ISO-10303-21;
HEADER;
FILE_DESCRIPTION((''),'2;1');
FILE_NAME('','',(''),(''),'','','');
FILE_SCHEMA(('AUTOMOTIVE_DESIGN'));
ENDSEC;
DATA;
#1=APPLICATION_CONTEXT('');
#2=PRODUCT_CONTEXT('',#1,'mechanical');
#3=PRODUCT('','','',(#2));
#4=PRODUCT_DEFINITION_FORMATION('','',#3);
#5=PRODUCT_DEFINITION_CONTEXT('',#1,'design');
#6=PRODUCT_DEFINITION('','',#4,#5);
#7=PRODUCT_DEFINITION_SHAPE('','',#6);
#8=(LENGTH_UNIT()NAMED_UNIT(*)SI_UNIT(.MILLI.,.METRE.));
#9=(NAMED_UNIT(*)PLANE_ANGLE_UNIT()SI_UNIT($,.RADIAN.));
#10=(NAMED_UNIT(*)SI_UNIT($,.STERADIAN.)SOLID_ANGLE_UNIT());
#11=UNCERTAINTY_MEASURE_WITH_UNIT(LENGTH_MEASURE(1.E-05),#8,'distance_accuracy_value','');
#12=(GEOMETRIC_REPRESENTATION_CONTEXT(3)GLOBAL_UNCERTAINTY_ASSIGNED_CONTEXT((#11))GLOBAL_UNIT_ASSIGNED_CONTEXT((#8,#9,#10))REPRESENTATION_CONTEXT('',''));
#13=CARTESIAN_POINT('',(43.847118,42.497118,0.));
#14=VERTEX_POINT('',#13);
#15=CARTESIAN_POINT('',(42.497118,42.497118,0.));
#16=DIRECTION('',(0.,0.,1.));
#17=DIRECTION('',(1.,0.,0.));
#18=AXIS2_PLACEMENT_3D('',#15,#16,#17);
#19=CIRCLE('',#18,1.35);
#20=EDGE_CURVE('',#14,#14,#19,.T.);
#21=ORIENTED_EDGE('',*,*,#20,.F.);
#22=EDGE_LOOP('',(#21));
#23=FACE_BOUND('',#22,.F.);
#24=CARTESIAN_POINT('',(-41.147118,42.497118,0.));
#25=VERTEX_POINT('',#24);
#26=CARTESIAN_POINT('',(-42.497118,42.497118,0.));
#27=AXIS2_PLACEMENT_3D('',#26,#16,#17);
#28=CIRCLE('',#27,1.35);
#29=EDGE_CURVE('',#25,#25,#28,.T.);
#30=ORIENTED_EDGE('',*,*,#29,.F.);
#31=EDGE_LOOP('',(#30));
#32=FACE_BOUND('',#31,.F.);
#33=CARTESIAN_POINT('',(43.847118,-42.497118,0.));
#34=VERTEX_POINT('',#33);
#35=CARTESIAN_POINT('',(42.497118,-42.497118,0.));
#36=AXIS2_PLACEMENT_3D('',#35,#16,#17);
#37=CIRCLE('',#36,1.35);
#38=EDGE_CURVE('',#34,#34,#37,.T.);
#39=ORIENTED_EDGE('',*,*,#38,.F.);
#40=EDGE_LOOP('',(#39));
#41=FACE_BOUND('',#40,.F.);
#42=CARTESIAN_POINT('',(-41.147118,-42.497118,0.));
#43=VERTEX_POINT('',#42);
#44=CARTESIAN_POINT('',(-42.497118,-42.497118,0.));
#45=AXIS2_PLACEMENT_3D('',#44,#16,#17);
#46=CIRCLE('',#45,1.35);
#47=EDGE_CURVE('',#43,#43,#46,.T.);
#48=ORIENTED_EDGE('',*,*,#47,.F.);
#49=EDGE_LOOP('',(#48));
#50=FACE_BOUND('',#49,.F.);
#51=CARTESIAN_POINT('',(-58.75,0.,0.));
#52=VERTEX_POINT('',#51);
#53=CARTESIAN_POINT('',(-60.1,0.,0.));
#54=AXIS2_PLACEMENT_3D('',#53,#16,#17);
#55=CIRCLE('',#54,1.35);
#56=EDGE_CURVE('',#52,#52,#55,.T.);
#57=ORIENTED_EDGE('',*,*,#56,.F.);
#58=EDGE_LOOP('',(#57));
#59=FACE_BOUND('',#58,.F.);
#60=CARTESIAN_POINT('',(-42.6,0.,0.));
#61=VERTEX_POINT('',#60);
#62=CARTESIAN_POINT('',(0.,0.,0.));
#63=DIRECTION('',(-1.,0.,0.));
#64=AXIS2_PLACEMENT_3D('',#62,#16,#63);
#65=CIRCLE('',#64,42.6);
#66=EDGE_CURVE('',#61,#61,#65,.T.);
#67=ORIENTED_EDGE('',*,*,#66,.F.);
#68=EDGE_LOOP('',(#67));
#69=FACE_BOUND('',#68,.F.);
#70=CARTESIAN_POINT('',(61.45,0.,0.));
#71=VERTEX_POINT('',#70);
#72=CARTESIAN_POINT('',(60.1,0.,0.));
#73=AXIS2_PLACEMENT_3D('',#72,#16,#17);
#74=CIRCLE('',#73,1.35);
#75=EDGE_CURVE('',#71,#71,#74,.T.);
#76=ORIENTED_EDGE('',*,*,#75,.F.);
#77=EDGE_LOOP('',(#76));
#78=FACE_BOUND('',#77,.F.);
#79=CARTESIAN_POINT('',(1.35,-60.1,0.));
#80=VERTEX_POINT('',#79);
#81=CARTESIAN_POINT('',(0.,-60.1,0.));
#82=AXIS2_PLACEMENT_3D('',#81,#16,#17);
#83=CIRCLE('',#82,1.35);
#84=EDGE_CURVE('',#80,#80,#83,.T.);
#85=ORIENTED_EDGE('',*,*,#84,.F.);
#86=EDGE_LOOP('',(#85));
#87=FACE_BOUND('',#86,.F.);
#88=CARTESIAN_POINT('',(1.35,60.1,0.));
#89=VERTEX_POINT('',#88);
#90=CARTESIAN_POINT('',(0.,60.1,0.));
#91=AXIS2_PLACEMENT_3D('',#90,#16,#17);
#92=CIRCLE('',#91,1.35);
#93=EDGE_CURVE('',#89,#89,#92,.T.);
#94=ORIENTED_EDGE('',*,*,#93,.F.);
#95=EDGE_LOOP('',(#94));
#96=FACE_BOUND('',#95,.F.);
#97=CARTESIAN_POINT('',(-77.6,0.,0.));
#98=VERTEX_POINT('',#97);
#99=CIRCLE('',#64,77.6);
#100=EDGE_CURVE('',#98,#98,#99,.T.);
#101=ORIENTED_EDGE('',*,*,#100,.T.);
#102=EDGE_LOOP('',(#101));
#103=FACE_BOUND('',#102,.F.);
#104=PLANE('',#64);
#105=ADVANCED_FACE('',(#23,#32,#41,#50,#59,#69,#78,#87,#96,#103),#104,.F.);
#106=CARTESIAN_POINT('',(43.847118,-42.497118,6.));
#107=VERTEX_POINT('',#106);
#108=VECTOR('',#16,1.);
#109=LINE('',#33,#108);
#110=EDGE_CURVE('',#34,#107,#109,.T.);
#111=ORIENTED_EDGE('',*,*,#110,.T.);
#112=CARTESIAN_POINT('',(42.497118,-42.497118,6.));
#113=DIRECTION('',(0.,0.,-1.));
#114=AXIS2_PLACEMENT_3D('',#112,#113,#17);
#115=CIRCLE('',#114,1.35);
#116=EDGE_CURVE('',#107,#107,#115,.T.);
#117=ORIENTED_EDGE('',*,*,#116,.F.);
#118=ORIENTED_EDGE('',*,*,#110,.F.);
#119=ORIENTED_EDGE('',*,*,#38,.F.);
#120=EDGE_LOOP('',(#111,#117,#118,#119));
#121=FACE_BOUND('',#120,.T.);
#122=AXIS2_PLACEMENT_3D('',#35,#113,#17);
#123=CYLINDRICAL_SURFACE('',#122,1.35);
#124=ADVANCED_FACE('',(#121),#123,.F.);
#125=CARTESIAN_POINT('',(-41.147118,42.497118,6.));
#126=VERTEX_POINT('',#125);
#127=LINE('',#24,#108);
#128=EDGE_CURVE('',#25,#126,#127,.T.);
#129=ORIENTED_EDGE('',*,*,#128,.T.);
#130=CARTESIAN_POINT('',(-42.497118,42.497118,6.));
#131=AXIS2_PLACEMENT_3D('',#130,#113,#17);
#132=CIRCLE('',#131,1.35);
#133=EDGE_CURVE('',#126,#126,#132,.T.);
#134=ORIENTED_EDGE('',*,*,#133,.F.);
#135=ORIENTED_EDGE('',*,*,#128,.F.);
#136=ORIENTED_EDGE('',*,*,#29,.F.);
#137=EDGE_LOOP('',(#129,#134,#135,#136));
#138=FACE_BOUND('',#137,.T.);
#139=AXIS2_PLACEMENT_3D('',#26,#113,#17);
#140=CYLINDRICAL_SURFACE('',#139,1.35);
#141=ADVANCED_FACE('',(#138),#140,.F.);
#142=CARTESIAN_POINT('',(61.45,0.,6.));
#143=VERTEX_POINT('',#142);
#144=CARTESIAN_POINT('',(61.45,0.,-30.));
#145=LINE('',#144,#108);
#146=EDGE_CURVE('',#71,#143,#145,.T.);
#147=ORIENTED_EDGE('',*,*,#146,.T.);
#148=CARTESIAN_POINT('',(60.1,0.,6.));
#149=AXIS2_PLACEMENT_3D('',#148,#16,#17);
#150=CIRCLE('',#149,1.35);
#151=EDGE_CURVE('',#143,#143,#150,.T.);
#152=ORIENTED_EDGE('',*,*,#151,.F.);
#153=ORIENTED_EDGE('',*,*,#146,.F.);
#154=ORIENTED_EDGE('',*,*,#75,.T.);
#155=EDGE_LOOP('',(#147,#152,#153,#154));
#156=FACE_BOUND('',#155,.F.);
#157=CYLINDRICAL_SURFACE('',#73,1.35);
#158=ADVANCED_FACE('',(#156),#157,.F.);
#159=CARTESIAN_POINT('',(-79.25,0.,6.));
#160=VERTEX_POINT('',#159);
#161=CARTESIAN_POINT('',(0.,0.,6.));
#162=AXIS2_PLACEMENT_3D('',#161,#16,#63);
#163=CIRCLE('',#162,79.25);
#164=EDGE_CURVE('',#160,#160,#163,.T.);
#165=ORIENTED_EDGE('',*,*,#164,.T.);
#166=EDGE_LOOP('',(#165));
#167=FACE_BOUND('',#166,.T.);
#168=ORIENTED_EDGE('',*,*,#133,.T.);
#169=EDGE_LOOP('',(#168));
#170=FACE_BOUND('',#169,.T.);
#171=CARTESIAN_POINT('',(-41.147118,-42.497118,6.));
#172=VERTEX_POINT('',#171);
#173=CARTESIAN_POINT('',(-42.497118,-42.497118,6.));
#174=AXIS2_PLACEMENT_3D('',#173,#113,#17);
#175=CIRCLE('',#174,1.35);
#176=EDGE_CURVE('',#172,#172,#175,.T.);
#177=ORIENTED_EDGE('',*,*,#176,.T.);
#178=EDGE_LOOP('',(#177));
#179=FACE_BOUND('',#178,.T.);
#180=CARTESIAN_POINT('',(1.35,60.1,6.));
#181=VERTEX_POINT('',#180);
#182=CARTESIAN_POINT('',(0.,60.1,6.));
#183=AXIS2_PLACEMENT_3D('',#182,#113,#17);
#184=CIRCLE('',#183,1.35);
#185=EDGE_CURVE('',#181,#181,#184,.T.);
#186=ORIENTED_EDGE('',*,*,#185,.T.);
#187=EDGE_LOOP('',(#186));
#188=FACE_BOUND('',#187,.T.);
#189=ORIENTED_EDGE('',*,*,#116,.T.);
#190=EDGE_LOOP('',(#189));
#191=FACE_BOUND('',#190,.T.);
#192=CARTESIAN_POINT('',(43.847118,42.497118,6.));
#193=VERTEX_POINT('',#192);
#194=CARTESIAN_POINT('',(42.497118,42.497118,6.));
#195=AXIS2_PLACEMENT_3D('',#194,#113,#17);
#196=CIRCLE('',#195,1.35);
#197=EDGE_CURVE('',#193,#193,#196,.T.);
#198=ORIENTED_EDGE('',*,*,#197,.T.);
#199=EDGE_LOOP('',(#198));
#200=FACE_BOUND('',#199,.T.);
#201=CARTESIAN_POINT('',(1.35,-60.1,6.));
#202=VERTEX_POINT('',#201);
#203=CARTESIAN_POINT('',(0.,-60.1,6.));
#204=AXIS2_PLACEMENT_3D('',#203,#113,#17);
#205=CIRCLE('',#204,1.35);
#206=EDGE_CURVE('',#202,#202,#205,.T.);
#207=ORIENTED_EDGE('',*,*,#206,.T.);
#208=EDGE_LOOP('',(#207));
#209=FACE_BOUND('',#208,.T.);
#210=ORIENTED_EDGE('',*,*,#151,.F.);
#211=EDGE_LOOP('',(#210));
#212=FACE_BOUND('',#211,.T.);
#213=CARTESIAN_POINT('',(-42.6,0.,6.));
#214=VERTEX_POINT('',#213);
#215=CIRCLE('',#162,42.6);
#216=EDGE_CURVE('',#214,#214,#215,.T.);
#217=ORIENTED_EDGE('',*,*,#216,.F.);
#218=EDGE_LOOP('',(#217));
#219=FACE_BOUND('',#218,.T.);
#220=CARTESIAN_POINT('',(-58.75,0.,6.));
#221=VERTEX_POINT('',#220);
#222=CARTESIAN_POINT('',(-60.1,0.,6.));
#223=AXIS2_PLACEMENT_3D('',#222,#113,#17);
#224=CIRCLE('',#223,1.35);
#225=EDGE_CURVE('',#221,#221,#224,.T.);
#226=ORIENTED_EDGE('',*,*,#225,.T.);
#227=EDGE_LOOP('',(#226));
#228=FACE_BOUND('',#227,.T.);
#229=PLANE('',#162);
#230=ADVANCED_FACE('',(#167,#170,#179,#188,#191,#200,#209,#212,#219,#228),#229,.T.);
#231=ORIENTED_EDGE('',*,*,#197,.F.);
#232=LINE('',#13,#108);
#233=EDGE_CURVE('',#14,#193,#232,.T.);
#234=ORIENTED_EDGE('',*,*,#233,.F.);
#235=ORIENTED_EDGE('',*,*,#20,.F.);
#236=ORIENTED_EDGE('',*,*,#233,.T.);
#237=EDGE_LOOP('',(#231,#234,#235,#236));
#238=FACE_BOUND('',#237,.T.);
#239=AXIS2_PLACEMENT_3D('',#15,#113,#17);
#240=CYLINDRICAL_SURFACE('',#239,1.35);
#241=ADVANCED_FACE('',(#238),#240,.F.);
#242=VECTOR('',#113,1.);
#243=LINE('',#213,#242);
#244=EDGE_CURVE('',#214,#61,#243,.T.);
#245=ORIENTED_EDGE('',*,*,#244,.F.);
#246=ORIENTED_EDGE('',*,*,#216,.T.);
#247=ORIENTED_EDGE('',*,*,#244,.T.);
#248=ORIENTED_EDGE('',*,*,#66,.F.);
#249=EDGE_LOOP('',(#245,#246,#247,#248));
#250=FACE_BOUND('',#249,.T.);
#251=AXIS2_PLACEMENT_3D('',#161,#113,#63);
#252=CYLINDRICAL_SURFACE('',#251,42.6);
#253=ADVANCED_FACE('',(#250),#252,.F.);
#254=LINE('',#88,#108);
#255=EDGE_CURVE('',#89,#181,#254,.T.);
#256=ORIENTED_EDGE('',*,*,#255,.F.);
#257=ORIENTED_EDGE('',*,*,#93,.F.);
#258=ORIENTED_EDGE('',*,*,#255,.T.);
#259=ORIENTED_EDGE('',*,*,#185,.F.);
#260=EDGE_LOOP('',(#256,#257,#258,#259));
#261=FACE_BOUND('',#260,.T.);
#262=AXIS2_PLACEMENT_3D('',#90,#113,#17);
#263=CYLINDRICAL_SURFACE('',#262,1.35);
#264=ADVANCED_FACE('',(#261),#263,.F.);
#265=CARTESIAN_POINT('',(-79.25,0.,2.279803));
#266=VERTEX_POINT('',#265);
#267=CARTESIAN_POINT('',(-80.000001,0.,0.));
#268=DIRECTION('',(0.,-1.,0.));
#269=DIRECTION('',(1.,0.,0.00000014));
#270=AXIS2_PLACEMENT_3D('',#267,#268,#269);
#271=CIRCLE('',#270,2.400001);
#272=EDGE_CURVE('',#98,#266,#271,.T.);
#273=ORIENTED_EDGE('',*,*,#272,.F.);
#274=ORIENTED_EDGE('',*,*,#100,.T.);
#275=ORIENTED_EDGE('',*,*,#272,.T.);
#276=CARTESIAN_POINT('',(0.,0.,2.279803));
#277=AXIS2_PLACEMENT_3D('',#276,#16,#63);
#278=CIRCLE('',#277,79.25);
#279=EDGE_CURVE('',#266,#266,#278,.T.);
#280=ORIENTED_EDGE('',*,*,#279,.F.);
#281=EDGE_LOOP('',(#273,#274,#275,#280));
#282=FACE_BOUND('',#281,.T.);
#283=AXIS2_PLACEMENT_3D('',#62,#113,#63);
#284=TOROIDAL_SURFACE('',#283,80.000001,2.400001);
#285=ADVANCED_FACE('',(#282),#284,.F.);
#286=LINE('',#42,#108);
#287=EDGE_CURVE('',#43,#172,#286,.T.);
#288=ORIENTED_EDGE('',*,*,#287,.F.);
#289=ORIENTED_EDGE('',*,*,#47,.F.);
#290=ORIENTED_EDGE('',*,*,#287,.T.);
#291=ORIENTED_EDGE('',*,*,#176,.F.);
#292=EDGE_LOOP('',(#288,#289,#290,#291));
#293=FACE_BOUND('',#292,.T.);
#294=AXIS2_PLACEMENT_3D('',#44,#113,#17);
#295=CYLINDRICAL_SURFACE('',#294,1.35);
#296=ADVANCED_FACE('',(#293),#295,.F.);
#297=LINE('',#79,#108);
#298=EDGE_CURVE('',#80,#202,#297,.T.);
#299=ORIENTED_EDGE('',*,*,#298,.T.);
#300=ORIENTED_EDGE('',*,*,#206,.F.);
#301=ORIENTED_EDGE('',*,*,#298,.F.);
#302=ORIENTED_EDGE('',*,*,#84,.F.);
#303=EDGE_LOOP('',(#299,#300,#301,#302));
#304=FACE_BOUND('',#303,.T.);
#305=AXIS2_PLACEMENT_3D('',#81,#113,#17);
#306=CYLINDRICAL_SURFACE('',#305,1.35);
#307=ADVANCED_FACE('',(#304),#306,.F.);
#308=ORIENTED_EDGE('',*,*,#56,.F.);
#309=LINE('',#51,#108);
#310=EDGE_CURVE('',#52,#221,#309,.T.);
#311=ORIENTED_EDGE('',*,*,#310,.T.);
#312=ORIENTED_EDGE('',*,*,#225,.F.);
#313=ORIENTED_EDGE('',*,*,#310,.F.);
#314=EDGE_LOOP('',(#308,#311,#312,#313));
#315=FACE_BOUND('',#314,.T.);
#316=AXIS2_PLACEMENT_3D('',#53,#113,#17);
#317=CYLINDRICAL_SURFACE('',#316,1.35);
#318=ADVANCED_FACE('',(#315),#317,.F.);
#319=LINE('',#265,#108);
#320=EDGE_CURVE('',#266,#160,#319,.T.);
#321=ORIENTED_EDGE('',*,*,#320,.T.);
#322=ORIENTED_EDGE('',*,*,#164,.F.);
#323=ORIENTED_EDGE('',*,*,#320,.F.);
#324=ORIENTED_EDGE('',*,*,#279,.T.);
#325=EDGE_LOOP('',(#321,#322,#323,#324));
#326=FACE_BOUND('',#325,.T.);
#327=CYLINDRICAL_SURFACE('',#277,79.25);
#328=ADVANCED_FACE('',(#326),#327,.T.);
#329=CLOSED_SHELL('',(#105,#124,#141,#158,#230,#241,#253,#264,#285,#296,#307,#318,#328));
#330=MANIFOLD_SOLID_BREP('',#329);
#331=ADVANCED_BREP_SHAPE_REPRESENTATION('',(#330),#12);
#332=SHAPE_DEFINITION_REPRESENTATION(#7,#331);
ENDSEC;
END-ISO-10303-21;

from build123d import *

# Parameters (mm, degrees)
SKETCH003_R   = 1.35
EXTRUDE_DEPTH = 30


with BuildPart() as hole_cut:
    # Sketch003 → Extrude (new body, symmetric)
    with BuildSketch(Plane.XY):
        with Locations((42.497118, 42.497118)):
            Circle(SKETCH003_R)
        with Locations((0, 60.1)):
            Circle(SKETCH003_R)
        with Locations((-42.497118, 42.497118)):
            Circle(SKETCH003_R)
        with Locations((-60.1, 0)):
            Circle(SKETCH003_R)
        with Locations((-42.497118, -42.497118)):
            Circle(SKETCH003_R)
        with Locations((0, -60.1)):
            Circle(SKETCH003_R)
        with Locations((42.497118, -42.497118)):
            Circle(SKETCH003_R)
        with Locations((60.1, 0)):
            Circle(SKETCH003_R)
    extrude(amount=EXTRUDE_DEPTH, both=True)


with BuildPart() as bearing_inner_race_upper:
    # Sketch → Revolve (revolve)
    with BuildSketch(Plane.XZ):
        with BuildLine():
            ThreePointArc((-77.6, 0), (-78.055778, 1.407125), (-79.25, 2.279803))
            Line((-79.25, 2.279803), (-79.25, 6))
            Line((-79.25, 6), (-42.6, 6))
            Line((-42.6, 6), (-42.6, 0))
            Line((-77.6, 0), (-42.6, 0))
        make_face()
    revolve(axis=Axis((0, 0, 0), (0, 0, 1)))

    # Cut: cut hole cut
    add(hole_cut.part, mode=Mode.SUBTRACT)


solid = bearing_inner_race_upper.part
